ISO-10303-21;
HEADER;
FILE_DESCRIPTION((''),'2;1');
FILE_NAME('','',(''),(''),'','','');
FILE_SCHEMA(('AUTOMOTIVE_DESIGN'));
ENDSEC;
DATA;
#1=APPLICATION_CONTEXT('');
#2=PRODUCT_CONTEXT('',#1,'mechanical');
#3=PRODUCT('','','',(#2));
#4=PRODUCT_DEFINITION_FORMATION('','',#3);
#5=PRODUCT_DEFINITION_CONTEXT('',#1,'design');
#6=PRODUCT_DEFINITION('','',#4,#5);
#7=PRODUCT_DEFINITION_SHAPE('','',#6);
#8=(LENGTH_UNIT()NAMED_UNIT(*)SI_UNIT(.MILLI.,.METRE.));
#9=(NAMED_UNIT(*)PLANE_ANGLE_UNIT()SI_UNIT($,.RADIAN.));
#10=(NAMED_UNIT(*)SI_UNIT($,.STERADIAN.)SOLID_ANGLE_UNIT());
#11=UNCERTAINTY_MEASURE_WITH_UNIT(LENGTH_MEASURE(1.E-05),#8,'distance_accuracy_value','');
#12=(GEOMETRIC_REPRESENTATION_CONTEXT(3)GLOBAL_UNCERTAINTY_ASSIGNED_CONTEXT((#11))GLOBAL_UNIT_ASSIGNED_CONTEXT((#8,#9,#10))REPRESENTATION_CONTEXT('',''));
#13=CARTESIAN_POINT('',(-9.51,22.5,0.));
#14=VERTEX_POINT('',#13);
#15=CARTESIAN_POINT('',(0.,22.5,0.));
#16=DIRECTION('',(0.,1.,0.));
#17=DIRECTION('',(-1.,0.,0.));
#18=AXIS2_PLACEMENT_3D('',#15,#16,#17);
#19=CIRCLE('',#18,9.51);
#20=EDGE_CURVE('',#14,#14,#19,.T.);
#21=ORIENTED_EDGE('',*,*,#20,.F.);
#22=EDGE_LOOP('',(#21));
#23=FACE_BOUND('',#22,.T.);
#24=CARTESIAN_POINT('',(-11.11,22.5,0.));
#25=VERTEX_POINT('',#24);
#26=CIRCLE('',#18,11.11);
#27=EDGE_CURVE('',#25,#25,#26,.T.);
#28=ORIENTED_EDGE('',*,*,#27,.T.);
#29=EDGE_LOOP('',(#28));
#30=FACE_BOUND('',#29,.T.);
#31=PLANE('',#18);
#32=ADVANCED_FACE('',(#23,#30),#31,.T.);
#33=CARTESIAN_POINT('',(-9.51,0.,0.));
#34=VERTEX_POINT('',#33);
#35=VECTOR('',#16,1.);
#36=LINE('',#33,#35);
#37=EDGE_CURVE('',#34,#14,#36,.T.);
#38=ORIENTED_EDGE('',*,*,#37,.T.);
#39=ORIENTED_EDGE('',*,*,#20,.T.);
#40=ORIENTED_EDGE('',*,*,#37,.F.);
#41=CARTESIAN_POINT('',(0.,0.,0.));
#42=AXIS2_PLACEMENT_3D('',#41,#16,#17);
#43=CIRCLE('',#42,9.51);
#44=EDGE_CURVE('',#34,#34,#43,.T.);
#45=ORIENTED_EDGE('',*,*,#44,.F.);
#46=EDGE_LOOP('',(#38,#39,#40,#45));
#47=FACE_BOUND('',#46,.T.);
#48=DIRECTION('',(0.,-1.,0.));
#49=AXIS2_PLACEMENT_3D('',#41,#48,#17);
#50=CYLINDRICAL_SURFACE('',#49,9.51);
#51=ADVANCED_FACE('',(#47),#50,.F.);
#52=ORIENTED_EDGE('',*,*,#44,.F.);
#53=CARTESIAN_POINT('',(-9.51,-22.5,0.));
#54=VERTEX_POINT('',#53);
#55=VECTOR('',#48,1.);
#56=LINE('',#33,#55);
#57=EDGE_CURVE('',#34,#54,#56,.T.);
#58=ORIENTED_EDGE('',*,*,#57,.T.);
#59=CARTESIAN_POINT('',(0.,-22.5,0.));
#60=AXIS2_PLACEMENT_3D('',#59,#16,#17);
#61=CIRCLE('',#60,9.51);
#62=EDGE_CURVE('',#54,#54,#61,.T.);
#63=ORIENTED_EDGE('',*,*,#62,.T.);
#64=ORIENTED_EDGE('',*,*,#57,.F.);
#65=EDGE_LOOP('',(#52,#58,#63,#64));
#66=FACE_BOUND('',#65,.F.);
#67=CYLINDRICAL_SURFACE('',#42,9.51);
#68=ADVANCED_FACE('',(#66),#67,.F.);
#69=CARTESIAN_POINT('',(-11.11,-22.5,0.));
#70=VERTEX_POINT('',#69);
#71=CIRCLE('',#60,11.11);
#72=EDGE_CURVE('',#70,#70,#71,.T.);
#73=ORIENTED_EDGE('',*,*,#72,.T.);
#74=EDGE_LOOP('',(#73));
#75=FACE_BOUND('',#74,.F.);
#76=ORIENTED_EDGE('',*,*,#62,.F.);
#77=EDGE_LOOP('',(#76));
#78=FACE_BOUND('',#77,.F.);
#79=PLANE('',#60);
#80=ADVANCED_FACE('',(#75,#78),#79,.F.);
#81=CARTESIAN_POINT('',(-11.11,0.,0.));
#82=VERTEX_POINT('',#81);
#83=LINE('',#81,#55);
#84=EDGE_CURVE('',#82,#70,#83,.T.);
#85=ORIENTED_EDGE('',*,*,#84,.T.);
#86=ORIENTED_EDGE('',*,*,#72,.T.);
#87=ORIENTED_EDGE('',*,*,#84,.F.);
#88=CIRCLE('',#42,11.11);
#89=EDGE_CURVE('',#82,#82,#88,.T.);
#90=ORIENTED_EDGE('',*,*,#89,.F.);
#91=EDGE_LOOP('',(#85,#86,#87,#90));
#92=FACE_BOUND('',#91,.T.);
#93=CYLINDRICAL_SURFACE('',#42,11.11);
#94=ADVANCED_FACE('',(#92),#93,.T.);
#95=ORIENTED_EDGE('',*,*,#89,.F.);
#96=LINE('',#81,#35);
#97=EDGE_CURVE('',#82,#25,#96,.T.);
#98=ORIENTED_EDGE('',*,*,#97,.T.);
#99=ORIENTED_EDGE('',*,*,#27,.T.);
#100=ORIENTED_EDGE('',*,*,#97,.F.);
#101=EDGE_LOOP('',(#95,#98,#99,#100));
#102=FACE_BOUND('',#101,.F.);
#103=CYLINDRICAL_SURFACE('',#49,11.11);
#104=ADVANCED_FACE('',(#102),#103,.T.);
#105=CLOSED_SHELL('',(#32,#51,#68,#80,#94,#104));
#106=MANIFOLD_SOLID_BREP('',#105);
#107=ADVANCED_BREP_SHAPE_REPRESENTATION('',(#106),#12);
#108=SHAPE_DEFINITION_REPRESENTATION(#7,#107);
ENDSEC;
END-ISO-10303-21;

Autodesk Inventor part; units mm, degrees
ref_plane "YZ Plane" through (0, 0, 0) normal (1, 0, 0) x (0, 1, 0)
ref_plane "XZ Plane" through (0, 0, 0) normal (0, 1, 0) x (-1, 0, 0)
ref_plane "XY Plane" through (0, 0, 0) normal (0, 0, 1) x (1, 0, 0)
sketch "Sketch1" plane through (0, 0, 0) normal (0, 1, 0) x (-1, 0, 0)
  circle A0 centre (0, 0) radius 11.11
  circle A1 centre (0, 0) radius 9.51
  dimension "d0" = 22.22
  dimension "d1" = 19.02
  dimension "d2" = 1.6
extrude "Extrusion1" add sketch "Sketch1" along normal mid plane 45
properties part number "SP16V1 Buje Pedal"
